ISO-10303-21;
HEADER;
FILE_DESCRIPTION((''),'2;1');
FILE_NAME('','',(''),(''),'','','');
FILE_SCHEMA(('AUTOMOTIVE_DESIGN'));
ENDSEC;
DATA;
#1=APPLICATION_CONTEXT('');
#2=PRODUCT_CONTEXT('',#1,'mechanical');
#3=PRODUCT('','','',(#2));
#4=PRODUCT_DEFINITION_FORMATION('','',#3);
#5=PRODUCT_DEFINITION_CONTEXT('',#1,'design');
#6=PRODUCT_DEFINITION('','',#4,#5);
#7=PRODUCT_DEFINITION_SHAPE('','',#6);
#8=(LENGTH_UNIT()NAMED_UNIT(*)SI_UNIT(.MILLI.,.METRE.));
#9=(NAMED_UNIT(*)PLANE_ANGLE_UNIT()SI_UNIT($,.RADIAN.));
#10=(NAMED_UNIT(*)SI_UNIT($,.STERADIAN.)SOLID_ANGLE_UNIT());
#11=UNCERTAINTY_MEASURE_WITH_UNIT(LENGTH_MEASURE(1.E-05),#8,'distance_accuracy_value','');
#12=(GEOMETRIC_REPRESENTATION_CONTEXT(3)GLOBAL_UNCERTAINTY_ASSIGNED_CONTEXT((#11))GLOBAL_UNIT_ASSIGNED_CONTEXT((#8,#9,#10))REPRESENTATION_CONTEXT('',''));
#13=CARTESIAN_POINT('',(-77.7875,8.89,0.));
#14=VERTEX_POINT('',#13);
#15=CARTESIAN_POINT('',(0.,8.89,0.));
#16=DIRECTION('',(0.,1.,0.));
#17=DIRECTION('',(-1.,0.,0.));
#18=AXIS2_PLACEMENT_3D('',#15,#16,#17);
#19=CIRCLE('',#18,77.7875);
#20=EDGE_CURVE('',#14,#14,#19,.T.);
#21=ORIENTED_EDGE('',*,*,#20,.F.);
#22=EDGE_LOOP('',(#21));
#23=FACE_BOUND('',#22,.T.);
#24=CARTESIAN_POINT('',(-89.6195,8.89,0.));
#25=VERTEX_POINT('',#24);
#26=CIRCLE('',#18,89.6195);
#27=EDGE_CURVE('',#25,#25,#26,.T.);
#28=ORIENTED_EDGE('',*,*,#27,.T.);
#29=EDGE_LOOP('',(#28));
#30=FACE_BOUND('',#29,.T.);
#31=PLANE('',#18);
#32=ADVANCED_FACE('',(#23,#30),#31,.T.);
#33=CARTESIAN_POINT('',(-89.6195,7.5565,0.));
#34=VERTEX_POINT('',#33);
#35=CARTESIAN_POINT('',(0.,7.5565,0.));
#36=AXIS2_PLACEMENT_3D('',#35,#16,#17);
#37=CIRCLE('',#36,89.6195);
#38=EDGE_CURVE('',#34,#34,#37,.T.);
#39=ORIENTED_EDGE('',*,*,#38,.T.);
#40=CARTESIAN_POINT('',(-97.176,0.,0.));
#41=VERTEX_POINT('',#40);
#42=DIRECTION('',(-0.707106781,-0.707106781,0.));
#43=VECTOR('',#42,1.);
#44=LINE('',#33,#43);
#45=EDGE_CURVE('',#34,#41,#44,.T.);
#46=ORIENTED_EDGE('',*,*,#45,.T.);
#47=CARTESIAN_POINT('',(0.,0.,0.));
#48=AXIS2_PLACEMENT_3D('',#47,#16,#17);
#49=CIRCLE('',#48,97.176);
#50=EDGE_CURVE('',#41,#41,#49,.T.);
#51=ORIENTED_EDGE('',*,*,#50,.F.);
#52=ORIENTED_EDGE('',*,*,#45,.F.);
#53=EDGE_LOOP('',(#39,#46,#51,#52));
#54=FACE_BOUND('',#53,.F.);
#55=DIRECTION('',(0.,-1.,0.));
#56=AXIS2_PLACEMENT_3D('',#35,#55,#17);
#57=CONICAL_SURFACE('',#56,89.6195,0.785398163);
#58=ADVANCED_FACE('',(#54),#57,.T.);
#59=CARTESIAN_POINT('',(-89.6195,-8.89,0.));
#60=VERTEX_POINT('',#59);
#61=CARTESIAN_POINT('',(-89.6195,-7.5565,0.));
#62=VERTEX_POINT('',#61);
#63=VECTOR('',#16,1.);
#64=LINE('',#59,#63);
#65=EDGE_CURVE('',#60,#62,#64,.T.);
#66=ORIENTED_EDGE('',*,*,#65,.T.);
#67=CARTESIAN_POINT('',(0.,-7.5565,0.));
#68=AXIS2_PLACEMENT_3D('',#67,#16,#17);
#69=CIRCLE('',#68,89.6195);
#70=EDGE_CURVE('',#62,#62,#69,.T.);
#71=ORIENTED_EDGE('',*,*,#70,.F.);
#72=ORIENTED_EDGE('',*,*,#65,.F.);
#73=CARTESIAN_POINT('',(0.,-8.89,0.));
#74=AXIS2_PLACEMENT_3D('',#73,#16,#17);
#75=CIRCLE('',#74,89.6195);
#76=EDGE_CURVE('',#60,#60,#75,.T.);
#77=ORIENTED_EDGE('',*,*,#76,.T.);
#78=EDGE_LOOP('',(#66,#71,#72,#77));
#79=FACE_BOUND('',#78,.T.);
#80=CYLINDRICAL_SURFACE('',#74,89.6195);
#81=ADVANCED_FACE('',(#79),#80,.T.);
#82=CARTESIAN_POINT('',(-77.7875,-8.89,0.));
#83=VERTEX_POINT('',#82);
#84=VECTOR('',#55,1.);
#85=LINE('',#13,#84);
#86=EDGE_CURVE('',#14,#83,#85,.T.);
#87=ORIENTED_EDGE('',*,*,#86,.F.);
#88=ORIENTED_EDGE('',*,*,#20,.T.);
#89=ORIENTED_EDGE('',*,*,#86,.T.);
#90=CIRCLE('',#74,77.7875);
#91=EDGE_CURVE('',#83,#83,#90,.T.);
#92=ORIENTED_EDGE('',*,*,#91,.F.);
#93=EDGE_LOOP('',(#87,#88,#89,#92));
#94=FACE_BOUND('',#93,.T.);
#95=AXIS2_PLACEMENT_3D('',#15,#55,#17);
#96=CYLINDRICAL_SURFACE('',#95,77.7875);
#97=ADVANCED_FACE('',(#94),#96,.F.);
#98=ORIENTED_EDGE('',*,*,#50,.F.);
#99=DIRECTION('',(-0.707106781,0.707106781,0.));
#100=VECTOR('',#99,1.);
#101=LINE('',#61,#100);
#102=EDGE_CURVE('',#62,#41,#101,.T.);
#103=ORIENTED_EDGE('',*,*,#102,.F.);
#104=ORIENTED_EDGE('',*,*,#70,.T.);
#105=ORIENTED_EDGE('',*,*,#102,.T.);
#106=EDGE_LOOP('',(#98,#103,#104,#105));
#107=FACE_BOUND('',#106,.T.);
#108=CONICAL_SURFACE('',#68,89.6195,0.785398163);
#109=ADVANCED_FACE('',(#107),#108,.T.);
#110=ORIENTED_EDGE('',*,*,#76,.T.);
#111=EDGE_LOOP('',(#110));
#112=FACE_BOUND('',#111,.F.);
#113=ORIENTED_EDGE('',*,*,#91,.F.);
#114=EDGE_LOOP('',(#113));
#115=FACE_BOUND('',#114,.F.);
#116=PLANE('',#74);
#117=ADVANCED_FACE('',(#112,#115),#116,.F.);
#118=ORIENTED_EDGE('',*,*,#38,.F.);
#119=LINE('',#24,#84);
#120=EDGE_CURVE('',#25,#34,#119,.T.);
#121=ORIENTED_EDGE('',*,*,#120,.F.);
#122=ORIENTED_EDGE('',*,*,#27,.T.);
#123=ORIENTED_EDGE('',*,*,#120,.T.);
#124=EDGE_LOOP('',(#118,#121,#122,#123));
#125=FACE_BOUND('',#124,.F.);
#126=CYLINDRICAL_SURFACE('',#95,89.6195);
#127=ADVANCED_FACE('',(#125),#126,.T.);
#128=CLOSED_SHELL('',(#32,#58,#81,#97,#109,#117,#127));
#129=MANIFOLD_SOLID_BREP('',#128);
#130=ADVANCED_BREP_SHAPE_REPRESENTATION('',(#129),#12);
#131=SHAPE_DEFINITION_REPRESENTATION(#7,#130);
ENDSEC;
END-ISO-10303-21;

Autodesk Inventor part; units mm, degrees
ref_plane "YZ Plane" through (0, 0, 0) normal (1, 0, 0) x (0, 1, 0)
ref_plane "XZ Plane" through (0, 0, 0) normal (0, 1, 0) x (-1, 0, 0)
ref_plane "XY Plane" through (0, 0, 0) normal (0, 0, 1) x (1, 0, 0)
sketch "Sketch1" plane through (0, 0, 0) normal (0, 0, 1) x (1, 0, 0)
  line L0 (0, -8.2641) -> (0, 19.7359)
  line L1 (-162.5659, 0) -> (21.6343, 0) construction
  line L2 (-107.95, 8.89) -> (-107.95, -8.89) construction
  line L3 (-107.95, 8.89) -> (-90.3815, 8.89) construction
  line L4 (-90.3815, 8.89) -> (-90.3815, 7.3025) construction
  line L5 (-90.3815, 7.3025) -> (-91.504, 6.18) construction
  line L6 (-91.504, 6.18) -> (-92.9409, 7.6168) construction
  line L7 (-92.9409, 7.6168) -> (-95.186, 5.3717) construction
  line L8 (-95.186, 5.3717) -> (-93.7491, 3.9349) construction
  line L9 (-93.7491, 3.9349) -> (-97.684, 0) construction
  line L10 (-97.176, 0) -> (-84.8354, 12.3406) construction
  line L11 (-94.0634, 6.4943) -> (-92.3726, 4.8034) construction
  circle A0 centre (-93.218, 5.6489) radius 1.3081 construction
  line L12 (-90.3815, -8.89) -> (-90.3815, -7.3025) construction
  line L13 (-90.3815, -7.3025) -> (-91.504, -6.18) construction
  line L14 (-91.504, -6.18) -> (-92.9409, -7.6168) construction
  line L15 (-92.9409, -7.6168) -> (-95.186, -5.3717) construction
  line L16 (-95.186, -5.3717) -> (-93.7491, -3.9349) construction
  line L17 (-93.7491, -3.9349) -> (-97.684, 0) construction
  line L18 (-107.95, -8.89) -> (-90.3815, -8.89) construction
  line L19 (-89.6195, 8.89) -> (-89.6195, 7.5565)
  line L20 (-89.6195, 7.5565) -> (-97.176, 0)
  line L21 (-89.6195, 8.89) -> (-77.7875, 8.89)
  line L22 (-77.7875, 8.89) -> (-77.7875, -8.89)
  line L23 (-89.6195, -8.89) -> (-89.6195, -7.5565)
  line L24 (-89.6195, -7.5565) -> (-97.176, 0)
  line L25 (-89.6195, -8.89) -> (-77.7875, -8.89)
  point P0 (0, 0)
  point P1 (0, 0)
  point P2 (0, 0)
  dimension "d23" = 1.5875
  dimension "d24" = 2.032
  dimension "d25" = 45
  dimension "d26" = 0.508
  dimension "d27" = 3.175
  dimension "d28" = 2.6162
  dimension "d29" = 186.436
  dimension "d30" = 215.9
  dimension "d31" = 17.78
  dimension "d32" = 1.5875
  dimension "d33" = 0.762
  dimension "d34" = 155.575
  dimension "d35" = 17.78
revolve "Revolution1" add sketch "Sketch1" angle 360 about axis through (0, -8.2641, 0) along (0, 1, 0)
properties part number "3DPRINT,INNER-V" material "Nylon 6/6"
